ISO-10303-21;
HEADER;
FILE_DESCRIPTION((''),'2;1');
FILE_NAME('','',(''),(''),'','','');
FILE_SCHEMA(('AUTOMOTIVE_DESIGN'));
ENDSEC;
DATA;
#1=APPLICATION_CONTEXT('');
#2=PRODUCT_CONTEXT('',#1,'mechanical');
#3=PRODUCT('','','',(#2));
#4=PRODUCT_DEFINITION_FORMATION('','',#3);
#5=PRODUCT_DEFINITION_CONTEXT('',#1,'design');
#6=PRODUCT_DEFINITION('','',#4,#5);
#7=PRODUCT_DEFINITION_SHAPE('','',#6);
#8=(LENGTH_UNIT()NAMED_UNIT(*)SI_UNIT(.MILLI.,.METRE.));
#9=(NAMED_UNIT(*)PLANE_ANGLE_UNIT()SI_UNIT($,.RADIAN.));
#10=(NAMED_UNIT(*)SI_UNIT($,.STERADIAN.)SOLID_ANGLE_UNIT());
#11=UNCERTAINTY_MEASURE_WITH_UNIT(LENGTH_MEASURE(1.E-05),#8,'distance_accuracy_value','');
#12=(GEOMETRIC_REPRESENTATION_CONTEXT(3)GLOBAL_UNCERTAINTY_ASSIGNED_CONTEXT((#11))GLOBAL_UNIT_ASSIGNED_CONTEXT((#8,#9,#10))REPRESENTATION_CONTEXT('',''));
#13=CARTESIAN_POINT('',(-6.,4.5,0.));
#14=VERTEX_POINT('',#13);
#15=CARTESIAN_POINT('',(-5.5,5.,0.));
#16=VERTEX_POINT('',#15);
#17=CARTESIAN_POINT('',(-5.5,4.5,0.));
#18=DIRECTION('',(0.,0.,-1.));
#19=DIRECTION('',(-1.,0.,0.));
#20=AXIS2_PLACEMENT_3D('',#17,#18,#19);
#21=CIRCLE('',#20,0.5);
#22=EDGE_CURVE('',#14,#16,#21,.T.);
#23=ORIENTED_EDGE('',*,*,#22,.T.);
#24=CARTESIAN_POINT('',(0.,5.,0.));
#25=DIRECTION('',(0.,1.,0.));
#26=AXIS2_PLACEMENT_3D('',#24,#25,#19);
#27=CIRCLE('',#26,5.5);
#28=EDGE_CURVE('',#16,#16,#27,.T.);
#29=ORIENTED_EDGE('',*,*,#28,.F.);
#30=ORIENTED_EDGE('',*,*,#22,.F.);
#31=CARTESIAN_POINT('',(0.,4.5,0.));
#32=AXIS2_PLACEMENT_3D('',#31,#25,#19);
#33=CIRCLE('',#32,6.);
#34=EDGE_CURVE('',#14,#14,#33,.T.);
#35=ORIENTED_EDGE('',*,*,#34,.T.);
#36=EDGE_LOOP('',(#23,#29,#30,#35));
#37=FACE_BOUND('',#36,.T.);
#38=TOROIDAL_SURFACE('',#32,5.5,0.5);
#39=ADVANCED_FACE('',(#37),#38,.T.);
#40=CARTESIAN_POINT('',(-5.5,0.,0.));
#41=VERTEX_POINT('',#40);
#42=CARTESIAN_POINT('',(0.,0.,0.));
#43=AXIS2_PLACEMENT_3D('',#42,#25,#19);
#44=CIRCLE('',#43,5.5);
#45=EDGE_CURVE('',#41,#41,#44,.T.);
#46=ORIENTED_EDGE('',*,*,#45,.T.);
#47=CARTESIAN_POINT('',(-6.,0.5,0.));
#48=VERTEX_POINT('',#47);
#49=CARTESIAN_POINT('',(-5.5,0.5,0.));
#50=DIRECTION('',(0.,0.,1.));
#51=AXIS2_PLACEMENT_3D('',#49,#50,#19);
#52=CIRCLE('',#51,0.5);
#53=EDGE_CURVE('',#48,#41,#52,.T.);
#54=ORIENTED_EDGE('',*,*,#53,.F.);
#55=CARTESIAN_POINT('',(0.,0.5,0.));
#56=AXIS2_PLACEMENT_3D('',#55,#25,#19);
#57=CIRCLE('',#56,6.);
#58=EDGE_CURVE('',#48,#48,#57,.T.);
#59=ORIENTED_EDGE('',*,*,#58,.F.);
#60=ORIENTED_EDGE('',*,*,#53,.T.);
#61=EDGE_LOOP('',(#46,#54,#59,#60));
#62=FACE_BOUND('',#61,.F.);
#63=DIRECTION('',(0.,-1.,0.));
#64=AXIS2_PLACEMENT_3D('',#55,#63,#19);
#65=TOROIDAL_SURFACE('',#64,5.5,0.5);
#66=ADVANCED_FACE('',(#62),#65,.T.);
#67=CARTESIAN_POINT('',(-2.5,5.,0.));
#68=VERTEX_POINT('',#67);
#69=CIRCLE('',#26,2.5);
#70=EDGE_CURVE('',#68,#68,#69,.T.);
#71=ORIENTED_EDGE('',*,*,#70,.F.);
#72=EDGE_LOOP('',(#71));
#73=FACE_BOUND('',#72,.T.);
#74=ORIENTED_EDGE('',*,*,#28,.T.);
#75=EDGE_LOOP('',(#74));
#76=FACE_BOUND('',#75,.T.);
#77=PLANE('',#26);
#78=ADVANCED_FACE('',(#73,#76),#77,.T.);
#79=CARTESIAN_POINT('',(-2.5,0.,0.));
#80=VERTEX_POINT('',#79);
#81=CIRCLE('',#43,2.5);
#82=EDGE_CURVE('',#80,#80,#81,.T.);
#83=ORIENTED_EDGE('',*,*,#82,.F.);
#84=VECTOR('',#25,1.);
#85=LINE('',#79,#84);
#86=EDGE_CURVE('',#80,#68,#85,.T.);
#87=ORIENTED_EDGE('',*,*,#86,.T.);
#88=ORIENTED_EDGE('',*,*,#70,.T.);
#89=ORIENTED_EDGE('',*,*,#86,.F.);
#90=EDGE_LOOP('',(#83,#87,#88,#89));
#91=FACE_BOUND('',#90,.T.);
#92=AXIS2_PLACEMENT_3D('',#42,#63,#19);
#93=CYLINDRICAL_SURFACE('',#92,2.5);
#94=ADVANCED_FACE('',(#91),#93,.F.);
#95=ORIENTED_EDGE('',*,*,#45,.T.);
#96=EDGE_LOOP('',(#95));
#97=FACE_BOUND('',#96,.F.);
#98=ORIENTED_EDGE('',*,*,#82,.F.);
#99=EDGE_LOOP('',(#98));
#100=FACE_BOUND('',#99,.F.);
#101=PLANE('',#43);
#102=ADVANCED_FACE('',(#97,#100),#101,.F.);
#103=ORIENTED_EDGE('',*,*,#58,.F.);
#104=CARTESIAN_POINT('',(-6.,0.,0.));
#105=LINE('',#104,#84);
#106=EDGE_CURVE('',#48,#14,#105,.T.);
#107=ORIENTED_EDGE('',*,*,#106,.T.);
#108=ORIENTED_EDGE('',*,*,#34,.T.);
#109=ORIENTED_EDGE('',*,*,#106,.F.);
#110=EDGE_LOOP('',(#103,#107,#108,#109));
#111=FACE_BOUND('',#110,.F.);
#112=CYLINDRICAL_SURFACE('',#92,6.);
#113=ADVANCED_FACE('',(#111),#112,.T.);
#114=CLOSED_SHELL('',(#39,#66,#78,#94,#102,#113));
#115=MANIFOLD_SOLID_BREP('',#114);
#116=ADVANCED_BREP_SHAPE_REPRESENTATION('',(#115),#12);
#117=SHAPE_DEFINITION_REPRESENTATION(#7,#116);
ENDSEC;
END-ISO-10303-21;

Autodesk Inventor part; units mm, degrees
ref_plane "YZ Plane" through (0, 0, 0) normal (1, 0, 0) x (0, 1, 0)
ref_plane "XZ Plane" through (0, 0, 0) normal (0, 1, 0) x (-1, 0, 0)
ref_plane "XY Plane" through (0, 0, 0) normal (0, 0, 1) x (1, 0, 0)
sketch "Sketch1" plane through (0, 0, 0) normal (0, 1, 0) x (-1, 0, 0)
  circle A0 centre (0, 0) radius 2.5
  circle A1 centre (0, 0) radius 6
  dimension "d0" = 5
  dimension "d1" = 12
extrude "Extrusion1" add sketch "Sketch1" along normal blind 5
fillet "Fillet1" radius 0.5 2 edges at (6, 5, 0) (6, 0, 0)
properties part number "Magnet"
